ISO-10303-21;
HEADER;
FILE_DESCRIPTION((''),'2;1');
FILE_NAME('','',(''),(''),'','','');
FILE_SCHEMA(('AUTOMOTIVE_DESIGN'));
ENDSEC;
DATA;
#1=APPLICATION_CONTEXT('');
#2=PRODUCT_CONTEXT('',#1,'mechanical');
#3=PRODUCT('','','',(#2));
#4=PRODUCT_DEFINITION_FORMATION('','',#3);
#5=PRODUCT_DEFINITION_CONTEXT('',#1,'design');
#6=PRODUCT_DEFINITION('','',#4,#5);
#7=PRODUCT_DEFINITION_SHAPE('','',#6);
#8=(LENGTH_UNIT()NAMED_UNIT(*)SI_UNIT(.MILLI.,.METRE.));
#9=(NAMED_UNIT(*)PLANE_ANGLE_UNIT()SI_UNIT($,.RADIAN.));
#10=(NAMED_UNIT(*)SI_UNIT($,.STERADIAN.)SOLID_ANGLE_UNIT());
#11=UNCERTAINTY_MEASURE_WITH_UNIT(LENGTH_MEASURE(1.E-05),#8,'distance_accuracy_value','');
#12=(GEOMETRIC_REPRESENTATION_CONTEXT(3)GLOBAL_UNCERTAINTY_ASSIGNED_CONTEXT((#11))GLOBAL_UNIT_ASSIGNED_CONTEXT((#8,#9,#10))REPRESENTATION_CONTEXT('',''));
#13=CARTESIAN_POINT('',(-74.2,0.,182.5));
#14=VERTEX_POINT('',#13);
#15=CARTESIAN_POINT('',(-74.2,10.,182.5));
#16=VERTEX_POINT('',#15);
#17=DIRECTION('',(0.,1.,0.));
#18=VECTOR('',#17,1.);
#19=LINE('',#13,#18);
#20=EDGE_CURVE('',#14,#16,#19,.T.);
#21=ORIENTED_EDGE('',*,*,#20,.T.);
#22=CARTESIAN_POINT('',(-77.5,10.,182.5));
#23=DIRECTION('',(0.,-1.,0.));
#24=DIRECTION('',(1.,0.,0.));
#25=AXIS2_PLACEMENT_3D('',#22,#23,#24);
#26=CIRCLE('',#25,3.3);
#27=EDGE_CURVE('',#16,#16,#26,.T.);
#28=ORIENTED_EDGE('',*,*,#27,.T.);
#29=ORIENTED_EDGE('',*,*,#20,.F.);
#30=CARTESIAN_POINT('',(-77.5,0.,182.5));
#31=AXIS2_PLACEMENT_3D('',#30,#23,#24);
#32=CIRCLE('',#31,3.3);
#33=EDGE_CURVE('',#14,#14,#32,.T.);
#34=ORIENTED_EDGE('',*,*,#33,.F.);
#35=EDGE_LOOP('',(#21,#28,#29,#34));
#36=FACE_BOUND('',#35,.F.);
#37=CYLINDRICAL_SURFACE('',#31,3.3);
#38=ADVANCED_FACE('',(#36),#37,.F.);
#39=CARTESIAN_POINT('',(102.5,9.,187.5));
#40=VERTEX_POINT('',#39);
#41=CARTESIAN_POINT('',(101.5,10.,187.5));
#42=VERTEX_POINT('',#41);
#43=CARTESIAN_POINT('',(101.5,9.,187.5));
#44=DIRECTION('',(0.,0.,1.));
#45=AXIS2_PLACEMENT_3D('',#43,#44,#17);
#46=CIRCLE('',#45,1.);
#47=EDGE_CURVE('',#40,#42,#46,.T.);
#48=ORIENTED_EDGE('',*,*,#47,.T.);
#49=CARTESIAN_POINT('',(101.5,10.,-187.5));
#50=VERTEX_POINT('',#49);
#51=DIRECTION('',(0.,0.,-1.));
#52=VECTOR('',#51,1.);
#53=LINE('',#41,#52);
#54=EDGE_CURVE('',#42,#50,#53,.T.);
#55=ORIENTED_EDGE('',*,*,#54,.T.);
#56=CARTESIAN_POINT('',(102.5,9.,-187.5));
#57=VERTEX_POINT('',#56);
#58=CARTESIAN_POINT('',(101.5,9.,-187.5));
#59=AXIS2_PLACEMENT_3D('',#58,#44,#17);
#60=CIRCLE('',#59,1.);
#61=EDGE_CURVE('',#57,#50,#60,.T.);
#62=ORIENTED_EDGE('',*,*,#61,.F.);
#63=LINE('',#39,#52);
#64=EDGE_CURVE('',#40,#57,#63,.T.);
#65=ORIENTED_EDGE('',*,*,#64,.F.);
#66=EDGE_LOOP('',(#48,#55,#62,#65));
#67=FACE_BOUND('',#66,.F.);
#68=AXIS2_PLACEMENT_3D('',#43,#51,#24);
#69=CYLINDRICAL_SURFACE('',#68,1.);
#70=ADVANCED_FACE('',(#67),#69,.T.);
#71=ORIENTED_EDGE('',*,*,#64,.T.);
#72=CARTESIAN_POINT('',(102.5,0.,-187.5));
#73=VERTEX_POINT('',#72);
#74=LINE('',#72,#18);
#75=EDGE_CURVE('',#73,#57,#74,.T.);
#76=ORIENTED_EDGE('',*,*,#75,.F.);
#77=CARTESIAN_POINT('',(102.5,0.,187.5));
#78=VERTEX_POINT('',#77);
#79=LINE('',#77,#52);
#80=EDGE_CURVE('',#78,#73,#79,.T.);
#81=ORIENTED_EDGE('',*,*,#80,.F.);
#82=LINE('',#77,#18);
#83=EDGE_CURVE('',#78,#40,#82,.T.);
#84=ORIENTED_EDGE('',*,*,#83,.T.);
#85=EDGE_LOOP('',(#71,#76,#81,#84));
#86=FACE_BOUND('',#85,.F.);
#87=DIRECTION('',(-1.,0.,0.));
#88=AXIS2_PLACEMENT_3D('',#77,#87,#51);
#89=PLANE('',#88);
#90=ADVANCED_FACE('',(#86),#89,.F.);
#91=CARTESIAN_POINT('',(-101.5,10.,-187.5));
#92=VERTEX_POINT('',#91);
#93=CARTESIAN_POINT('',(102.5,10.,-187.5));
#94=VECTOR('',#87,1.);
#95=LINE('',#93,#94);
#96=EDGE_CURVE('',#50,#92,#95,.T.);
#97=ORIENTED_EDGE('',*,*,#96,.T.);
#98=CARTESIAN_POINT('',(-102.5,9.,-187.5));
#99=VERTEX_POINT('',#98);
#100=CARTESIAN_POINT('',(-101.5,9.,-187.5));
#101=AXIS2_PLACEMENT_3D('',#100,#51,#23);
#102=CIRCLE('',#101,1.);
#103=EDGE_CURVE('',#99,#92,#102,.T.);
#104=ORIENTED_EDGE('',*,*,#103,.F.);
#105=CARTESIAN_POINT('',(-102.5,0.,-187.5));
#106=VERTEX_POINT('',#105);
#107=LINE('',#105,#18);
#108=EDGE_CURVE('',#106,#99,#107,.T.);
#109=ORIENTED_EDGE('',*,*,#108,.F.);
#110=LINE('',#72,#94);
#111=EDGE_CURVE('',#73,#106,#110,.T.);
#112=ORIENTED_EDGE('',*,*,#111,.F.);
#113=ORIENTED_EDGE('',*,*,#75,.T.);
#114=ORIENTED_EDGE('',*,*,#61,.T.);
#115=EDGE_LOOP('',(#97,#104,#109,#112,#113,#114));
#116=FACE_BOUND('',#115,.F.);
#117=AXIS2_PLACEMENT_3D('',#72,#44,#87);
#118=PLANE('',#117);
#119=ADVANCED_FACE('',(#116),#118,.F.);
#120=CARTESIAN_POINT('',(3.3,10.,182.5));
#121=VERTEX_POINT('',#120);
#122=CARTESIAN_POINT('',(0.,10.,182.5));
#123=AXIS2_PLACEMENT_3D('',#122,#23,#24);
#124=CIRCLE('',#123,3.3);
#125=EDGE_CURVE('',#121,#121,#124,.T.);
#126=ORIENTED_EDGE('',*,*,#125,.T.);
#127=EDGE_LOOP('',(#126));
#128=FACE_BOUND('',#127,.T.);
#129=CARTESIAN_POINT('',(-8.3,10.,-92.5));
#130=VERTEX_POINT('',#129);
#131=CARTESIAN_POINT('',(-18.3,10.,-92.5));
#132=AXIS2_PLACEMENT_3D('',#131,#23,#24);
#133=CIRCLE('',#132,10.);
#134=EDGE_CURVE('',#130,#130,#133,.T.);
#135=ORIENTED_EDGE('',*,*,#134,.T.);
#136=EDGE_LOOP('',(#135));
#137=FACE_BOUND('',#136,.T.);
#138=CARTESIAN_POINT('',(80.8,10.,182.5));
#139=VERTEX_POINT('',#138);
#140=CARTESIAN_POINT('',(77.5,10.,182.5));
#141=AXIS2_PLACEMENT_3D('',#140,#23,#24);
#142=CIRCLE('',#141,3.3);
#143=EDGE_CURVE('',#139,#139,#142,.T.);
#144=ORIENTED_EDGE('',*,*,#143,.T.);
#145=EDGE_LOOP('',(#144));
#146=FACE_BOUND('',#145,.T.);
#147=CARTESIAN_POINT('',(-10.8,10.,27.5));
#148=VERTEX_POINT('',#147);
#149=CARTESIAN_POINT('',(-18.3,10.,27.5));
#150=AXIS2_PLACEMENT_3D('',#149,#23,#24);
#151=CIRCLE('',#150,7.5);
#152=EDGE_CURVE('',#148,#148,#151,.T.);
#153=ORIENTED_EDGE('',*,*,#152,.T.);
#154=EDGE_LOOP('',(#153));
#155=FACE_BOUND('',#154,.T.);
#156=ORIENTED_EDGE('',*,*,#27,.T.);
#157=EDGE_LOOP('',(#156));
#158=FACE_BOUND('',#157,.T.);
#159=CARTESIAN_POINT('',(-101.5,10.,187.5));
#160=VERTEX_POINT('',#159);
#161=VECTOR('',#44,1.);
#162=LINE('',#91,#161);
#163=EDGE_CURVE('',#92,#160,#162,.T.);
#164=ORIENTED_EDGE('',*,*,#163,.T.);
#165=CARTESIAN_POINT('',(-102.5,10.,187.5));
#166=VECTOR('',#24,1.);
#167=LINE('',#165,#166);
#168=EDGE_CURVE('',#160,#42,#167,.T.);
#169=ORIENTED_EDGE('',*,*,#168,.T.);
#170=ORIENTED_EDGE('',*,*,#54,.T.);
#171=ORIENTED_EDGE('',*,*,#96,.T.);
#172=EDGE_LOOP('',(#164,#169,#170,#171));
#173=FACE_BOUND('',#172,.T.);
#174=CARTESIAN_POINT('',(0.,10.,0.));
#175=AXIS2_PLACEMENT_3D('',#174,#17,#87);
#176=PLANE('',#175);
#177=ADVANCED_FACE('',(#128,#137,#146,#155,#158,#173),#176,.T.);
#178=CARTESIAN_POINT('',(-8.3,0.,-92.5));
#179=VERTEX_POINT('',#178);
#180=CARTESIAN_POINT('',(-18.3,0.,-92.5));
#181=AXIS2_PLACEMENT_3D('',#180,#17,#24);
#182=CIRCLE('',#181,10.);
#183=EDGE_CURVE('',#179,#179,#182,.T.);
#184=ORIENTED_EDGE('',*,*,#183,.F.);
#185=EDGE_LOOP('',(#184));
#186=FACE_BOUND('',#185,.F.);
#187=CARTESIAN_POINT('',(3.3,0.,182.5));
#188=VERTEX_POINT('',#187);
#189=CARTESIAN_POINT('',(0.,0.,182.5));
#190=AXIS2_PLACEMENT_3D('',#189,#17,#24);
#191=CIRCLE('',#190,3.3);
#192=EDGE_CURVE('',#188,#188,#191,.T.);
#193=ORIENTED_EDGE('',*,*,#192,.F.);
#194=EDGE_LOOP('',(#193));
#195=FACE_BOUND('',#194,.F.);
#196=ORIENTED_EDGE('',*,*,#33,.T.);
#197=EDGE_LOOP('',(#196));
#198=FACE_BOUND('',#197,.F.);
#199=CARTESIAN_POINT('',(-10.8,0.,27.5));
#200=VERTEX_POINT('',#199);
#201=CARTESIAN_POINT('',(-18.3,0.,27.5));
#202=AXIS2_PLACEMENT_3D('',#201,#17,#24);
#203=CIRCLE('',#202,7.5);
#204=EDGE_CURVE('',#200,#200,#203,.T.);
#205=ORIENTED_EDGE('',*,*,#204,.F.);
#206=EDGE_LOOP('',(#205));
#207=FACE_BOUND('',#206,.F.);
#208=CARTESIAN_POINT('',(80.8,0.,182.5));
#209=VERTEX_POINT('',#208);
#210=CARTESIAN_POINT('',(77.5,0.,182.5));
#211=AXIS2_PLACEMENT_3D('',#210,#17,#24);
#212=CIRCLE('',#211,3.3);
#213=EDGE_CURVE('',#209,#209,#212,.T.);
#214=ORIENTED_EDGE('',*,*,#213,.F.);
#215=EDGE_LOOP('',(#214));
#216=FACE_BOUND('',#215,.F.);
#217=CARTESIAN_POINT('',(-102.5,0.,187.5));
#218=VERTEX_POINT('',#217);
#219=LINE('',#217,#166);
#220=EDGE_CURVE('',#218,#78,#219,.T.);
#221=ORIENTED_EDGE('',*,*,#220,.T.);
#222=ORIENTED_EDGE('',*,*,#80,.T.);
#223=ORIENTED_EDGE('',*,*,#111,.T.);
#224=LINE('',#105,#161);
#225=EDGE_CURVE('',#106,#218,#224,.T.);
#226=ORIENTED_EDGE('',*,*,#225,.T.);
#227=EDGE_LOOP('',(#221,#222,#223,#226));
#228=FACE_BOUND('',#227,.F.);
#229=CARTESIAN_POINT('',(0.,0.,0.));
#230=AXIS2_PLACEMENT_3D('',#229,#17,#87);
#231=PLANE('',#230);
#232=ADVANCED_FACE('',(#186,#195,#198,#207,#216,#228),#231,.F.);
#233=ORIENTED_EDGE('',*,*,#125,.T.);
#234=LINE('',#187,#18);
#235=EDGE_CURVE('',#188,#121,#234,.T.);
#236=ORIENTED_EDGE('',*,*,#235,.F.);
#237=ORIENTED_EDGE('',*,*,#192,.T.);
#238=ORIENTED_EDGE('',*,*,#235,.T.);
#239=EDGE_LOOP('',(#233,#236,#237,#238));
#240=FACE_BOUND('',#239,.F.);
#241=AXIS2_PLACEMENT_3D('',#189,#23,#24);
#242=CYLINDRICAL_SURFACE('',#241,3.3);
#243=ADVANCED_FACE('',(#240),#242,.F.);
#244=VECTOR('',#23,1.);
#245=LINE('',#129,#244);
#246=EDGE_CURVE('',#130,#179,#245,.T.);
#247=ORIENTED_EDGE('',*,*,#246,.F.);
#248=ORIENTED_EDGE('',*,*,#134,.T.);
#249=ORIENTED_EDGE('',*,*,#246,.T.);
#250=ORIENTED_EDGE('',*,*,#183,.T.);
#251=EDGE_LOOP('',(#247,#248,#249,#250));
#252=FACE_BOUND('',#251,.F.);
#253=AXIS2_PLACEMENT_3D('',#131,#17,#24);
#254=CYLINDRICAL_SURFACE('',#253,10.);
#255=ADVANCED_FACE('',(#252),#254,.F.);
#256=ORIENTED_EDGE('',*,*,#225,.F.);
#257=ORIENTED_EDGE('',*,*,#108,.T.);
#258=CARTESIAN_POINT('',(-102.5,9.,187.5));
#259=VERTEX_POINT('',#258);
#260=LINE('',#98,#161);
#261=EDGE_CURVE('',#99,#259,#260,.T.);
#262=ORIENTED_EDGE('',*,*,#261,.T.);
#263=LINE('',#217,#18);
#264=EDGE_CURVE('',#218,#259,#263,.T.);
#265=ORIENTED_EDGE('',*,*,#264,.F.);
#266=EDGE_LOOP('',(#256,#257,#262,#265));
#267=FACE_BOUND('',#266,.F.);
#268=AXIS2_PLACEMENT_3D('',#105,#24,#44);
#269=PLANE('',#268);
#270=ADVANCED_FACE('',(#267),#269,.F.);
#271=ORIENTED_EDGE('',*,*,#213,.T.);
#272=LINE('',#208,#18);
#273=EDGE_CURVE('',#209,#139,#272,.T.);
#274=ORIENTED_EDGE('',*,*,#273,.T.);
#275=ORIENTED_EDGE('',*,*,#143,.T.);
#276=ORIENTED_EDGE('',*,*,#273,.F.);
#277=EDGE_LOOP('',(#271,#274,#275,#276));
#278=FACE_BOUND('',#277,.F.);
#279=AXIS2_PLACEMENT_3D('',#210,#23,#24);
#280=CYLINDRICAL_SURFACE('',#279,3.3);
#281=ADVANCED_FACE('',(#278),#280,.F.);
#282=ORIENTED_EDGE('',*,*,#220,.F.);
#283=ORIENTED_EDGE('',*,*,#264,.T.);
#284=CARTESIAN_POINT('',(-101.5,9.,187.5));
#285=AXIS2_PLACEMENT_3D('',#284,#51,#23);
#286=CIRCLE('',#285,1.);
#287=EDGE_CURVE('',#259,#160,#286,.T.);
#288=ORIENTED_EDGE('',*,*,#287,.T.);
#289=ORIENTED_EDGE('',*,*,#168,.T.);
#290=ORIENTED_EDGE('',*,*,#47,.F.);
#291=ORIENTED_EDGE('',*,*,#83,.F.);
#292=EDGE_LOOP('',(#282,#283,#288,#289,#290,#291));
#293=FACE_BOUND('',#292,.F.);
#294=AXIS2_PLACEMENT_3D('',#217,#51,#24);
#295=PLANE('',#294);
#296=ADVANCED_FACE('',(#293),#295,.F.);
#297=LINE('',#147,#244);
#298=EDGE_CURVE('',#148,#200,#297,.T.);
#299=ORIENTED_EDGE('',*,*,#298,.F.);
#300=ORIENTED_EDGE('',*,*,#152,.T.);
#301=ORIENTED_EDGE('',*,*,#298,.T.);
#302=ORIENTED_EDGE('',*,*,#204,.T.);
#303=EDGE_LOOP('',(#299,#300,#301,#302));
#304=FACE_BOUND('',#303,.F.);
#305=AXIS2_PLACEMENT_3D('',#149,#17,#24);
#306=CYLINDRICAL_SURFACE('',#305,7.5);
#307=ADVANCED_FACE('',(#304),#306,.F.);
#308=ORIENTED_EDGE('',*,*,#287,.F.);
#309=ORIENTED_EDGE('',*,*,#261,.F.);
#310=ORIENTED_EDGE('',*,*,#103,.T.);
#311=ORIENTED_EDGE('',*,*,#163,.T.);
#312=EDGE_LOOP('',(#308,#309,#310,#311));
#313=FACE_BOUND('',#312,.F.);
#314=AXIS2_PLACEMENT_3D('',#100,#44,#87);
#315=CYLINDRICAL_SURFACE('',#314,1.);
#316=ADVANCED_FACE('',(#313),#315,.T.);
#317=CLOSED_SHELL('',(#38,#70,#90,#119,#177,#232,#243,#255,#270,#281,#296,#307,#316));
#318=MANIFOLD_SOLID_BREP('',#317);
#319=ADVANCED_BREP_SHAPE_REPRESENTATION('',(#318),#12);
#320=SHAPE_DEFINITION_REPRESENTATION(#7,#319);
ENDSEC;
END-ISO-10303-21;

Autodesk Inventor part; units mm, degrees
ref_plane "YZ Plane" through (0, 0, 0) normal (1, 0, 0) x (0, 1, 0)
ref_plane "XZ Plane" through (0, 0, 0) normal (0, 1, 0) x (-1, 0, 0)
ref_plane "XY Plane" through (0, 0, 0) normal (0, 0, 1) x (1, 0, 0)
sketch "Sketch1" plane through (0, 0, 0) normal (0, 1, 0) x (-1, 0, 0)
  line L0 (102.5, 187.5) -> (-102.5, 187.5)
  line L1 (-102.5, 187.5) -> (-102.5, -187.5)
  line L2 (-102.5, -187.5) -> (102.5, -187.5)
  line L3 (102.5, -187.5) -> (102.5, 187.5)
  line L4 (102.5, 187.5) -> (-102.5, -187.5) construction
  line L5 (-102.5, 187.5) -> (102.5, -187.5) construction
  point P0 (0, 0)
  dimension "d0" = 205
  dimension "d1" = 375
extrude "Extrusion1" add sketch "Sketch1" along normal blind 10
fillet "Fillet1" radius 1 2 edges at (102.5, 10, 0) (-102.5, 10, 0)
sketch "Sketch3" plane through (0, 0, 0) normal (0, -1, 0) x (1, 0, 0)
  line L0 (102.5, -187.5) -> (-102.5, -187.5) projected
  line L1 (102.5, 187.5) -> (102.5, -187.5) projected
  line L2 (-102.5, 187.5) -> (102.5, 187.5) projected
  line L3 (-102.5, -187.5) -> (-102.5, 187.5) projected
  line L4 (102.5, 187.5) -> (102.5, -187.5) projected
  line L5 (-102.5, -187.5) -> (-102.5, 187.5) projected
  line L6 (102.5, 187.5) -> (-102.5, 187.5)
  line L7 (-102.5, 187.5) -> (-102.5, 177.5)
  line L8 (-102.5, 177.5) -> (102.5, 177.5)
  line L9 (102.5, 177.5) -> (102.5, 187.5)
  line L10 (102.5, 182.5) -> (77.5, 182.5)
  line L11 (77.5, 182.5) -> (0, 182.5)
  line L12 (0, 182.5) -> (-77.5, 182.5)
  circle A0 centre (77.5, 182.5) radius 3.3
  circle A1 centre (0, 182.5) radius 3.3
  circle A2 centre (-77.5, 182.5) radius 3.3
  point P0 (0, 0)
  dimension "d5" = 10
  dimension "d21" = 25
  dimension "d22" = 77.5
  dimension "d23" = 6.6
  dimension "d24" = 6.6
  dimension "d25" = 6.6
extrude "Extrusion2" cut sketch "Sketch3" against normal up to surface (10 mm away) contours A2 | A1 L12 L11 | L11 L12 A1 | A0 L11 L10 | L10 L11 A0
sketch "Sketch4" plane through (0, 10, 0) normal (0, 1, 0) x (1, 0, 0)
  line L0 (-101.5, -187.5) -> (-102.5, -187.5) projected
  line L1 (-102.5, -187.5) -> (-18.3, -187.5)
  line L2 (-101.5, -187.5) -> (101.5, -187.5) projected
  line L3 (-18.3, -187.5) -> (-18.3, -27.5)
  circle A0 centre (-18.3, -27.5) radius 7.5
  line L4 (-18.3, -27.5) -> (-18.3, 92.5)
  circle A1 centre (-18.3, 92.5) radius 10
  point P0 (0, 0)
  dimension "d11" = 84.2
  dimension "d12" = 160
  dimension "d13" = 15
  dimension "d16" = 120
  dimension "d17" = 20
extrude "Extrusion3" cut sketch "Sketch4" against normal up to surface (10 mm away) contours A0 L4 L3 | L3 L4 A0
extrude "Extrusion4" cut sketch "Sketch4" against normal up to surface (10 mm away) contours A1
properties part number "płyta_boczna_obudowy"
